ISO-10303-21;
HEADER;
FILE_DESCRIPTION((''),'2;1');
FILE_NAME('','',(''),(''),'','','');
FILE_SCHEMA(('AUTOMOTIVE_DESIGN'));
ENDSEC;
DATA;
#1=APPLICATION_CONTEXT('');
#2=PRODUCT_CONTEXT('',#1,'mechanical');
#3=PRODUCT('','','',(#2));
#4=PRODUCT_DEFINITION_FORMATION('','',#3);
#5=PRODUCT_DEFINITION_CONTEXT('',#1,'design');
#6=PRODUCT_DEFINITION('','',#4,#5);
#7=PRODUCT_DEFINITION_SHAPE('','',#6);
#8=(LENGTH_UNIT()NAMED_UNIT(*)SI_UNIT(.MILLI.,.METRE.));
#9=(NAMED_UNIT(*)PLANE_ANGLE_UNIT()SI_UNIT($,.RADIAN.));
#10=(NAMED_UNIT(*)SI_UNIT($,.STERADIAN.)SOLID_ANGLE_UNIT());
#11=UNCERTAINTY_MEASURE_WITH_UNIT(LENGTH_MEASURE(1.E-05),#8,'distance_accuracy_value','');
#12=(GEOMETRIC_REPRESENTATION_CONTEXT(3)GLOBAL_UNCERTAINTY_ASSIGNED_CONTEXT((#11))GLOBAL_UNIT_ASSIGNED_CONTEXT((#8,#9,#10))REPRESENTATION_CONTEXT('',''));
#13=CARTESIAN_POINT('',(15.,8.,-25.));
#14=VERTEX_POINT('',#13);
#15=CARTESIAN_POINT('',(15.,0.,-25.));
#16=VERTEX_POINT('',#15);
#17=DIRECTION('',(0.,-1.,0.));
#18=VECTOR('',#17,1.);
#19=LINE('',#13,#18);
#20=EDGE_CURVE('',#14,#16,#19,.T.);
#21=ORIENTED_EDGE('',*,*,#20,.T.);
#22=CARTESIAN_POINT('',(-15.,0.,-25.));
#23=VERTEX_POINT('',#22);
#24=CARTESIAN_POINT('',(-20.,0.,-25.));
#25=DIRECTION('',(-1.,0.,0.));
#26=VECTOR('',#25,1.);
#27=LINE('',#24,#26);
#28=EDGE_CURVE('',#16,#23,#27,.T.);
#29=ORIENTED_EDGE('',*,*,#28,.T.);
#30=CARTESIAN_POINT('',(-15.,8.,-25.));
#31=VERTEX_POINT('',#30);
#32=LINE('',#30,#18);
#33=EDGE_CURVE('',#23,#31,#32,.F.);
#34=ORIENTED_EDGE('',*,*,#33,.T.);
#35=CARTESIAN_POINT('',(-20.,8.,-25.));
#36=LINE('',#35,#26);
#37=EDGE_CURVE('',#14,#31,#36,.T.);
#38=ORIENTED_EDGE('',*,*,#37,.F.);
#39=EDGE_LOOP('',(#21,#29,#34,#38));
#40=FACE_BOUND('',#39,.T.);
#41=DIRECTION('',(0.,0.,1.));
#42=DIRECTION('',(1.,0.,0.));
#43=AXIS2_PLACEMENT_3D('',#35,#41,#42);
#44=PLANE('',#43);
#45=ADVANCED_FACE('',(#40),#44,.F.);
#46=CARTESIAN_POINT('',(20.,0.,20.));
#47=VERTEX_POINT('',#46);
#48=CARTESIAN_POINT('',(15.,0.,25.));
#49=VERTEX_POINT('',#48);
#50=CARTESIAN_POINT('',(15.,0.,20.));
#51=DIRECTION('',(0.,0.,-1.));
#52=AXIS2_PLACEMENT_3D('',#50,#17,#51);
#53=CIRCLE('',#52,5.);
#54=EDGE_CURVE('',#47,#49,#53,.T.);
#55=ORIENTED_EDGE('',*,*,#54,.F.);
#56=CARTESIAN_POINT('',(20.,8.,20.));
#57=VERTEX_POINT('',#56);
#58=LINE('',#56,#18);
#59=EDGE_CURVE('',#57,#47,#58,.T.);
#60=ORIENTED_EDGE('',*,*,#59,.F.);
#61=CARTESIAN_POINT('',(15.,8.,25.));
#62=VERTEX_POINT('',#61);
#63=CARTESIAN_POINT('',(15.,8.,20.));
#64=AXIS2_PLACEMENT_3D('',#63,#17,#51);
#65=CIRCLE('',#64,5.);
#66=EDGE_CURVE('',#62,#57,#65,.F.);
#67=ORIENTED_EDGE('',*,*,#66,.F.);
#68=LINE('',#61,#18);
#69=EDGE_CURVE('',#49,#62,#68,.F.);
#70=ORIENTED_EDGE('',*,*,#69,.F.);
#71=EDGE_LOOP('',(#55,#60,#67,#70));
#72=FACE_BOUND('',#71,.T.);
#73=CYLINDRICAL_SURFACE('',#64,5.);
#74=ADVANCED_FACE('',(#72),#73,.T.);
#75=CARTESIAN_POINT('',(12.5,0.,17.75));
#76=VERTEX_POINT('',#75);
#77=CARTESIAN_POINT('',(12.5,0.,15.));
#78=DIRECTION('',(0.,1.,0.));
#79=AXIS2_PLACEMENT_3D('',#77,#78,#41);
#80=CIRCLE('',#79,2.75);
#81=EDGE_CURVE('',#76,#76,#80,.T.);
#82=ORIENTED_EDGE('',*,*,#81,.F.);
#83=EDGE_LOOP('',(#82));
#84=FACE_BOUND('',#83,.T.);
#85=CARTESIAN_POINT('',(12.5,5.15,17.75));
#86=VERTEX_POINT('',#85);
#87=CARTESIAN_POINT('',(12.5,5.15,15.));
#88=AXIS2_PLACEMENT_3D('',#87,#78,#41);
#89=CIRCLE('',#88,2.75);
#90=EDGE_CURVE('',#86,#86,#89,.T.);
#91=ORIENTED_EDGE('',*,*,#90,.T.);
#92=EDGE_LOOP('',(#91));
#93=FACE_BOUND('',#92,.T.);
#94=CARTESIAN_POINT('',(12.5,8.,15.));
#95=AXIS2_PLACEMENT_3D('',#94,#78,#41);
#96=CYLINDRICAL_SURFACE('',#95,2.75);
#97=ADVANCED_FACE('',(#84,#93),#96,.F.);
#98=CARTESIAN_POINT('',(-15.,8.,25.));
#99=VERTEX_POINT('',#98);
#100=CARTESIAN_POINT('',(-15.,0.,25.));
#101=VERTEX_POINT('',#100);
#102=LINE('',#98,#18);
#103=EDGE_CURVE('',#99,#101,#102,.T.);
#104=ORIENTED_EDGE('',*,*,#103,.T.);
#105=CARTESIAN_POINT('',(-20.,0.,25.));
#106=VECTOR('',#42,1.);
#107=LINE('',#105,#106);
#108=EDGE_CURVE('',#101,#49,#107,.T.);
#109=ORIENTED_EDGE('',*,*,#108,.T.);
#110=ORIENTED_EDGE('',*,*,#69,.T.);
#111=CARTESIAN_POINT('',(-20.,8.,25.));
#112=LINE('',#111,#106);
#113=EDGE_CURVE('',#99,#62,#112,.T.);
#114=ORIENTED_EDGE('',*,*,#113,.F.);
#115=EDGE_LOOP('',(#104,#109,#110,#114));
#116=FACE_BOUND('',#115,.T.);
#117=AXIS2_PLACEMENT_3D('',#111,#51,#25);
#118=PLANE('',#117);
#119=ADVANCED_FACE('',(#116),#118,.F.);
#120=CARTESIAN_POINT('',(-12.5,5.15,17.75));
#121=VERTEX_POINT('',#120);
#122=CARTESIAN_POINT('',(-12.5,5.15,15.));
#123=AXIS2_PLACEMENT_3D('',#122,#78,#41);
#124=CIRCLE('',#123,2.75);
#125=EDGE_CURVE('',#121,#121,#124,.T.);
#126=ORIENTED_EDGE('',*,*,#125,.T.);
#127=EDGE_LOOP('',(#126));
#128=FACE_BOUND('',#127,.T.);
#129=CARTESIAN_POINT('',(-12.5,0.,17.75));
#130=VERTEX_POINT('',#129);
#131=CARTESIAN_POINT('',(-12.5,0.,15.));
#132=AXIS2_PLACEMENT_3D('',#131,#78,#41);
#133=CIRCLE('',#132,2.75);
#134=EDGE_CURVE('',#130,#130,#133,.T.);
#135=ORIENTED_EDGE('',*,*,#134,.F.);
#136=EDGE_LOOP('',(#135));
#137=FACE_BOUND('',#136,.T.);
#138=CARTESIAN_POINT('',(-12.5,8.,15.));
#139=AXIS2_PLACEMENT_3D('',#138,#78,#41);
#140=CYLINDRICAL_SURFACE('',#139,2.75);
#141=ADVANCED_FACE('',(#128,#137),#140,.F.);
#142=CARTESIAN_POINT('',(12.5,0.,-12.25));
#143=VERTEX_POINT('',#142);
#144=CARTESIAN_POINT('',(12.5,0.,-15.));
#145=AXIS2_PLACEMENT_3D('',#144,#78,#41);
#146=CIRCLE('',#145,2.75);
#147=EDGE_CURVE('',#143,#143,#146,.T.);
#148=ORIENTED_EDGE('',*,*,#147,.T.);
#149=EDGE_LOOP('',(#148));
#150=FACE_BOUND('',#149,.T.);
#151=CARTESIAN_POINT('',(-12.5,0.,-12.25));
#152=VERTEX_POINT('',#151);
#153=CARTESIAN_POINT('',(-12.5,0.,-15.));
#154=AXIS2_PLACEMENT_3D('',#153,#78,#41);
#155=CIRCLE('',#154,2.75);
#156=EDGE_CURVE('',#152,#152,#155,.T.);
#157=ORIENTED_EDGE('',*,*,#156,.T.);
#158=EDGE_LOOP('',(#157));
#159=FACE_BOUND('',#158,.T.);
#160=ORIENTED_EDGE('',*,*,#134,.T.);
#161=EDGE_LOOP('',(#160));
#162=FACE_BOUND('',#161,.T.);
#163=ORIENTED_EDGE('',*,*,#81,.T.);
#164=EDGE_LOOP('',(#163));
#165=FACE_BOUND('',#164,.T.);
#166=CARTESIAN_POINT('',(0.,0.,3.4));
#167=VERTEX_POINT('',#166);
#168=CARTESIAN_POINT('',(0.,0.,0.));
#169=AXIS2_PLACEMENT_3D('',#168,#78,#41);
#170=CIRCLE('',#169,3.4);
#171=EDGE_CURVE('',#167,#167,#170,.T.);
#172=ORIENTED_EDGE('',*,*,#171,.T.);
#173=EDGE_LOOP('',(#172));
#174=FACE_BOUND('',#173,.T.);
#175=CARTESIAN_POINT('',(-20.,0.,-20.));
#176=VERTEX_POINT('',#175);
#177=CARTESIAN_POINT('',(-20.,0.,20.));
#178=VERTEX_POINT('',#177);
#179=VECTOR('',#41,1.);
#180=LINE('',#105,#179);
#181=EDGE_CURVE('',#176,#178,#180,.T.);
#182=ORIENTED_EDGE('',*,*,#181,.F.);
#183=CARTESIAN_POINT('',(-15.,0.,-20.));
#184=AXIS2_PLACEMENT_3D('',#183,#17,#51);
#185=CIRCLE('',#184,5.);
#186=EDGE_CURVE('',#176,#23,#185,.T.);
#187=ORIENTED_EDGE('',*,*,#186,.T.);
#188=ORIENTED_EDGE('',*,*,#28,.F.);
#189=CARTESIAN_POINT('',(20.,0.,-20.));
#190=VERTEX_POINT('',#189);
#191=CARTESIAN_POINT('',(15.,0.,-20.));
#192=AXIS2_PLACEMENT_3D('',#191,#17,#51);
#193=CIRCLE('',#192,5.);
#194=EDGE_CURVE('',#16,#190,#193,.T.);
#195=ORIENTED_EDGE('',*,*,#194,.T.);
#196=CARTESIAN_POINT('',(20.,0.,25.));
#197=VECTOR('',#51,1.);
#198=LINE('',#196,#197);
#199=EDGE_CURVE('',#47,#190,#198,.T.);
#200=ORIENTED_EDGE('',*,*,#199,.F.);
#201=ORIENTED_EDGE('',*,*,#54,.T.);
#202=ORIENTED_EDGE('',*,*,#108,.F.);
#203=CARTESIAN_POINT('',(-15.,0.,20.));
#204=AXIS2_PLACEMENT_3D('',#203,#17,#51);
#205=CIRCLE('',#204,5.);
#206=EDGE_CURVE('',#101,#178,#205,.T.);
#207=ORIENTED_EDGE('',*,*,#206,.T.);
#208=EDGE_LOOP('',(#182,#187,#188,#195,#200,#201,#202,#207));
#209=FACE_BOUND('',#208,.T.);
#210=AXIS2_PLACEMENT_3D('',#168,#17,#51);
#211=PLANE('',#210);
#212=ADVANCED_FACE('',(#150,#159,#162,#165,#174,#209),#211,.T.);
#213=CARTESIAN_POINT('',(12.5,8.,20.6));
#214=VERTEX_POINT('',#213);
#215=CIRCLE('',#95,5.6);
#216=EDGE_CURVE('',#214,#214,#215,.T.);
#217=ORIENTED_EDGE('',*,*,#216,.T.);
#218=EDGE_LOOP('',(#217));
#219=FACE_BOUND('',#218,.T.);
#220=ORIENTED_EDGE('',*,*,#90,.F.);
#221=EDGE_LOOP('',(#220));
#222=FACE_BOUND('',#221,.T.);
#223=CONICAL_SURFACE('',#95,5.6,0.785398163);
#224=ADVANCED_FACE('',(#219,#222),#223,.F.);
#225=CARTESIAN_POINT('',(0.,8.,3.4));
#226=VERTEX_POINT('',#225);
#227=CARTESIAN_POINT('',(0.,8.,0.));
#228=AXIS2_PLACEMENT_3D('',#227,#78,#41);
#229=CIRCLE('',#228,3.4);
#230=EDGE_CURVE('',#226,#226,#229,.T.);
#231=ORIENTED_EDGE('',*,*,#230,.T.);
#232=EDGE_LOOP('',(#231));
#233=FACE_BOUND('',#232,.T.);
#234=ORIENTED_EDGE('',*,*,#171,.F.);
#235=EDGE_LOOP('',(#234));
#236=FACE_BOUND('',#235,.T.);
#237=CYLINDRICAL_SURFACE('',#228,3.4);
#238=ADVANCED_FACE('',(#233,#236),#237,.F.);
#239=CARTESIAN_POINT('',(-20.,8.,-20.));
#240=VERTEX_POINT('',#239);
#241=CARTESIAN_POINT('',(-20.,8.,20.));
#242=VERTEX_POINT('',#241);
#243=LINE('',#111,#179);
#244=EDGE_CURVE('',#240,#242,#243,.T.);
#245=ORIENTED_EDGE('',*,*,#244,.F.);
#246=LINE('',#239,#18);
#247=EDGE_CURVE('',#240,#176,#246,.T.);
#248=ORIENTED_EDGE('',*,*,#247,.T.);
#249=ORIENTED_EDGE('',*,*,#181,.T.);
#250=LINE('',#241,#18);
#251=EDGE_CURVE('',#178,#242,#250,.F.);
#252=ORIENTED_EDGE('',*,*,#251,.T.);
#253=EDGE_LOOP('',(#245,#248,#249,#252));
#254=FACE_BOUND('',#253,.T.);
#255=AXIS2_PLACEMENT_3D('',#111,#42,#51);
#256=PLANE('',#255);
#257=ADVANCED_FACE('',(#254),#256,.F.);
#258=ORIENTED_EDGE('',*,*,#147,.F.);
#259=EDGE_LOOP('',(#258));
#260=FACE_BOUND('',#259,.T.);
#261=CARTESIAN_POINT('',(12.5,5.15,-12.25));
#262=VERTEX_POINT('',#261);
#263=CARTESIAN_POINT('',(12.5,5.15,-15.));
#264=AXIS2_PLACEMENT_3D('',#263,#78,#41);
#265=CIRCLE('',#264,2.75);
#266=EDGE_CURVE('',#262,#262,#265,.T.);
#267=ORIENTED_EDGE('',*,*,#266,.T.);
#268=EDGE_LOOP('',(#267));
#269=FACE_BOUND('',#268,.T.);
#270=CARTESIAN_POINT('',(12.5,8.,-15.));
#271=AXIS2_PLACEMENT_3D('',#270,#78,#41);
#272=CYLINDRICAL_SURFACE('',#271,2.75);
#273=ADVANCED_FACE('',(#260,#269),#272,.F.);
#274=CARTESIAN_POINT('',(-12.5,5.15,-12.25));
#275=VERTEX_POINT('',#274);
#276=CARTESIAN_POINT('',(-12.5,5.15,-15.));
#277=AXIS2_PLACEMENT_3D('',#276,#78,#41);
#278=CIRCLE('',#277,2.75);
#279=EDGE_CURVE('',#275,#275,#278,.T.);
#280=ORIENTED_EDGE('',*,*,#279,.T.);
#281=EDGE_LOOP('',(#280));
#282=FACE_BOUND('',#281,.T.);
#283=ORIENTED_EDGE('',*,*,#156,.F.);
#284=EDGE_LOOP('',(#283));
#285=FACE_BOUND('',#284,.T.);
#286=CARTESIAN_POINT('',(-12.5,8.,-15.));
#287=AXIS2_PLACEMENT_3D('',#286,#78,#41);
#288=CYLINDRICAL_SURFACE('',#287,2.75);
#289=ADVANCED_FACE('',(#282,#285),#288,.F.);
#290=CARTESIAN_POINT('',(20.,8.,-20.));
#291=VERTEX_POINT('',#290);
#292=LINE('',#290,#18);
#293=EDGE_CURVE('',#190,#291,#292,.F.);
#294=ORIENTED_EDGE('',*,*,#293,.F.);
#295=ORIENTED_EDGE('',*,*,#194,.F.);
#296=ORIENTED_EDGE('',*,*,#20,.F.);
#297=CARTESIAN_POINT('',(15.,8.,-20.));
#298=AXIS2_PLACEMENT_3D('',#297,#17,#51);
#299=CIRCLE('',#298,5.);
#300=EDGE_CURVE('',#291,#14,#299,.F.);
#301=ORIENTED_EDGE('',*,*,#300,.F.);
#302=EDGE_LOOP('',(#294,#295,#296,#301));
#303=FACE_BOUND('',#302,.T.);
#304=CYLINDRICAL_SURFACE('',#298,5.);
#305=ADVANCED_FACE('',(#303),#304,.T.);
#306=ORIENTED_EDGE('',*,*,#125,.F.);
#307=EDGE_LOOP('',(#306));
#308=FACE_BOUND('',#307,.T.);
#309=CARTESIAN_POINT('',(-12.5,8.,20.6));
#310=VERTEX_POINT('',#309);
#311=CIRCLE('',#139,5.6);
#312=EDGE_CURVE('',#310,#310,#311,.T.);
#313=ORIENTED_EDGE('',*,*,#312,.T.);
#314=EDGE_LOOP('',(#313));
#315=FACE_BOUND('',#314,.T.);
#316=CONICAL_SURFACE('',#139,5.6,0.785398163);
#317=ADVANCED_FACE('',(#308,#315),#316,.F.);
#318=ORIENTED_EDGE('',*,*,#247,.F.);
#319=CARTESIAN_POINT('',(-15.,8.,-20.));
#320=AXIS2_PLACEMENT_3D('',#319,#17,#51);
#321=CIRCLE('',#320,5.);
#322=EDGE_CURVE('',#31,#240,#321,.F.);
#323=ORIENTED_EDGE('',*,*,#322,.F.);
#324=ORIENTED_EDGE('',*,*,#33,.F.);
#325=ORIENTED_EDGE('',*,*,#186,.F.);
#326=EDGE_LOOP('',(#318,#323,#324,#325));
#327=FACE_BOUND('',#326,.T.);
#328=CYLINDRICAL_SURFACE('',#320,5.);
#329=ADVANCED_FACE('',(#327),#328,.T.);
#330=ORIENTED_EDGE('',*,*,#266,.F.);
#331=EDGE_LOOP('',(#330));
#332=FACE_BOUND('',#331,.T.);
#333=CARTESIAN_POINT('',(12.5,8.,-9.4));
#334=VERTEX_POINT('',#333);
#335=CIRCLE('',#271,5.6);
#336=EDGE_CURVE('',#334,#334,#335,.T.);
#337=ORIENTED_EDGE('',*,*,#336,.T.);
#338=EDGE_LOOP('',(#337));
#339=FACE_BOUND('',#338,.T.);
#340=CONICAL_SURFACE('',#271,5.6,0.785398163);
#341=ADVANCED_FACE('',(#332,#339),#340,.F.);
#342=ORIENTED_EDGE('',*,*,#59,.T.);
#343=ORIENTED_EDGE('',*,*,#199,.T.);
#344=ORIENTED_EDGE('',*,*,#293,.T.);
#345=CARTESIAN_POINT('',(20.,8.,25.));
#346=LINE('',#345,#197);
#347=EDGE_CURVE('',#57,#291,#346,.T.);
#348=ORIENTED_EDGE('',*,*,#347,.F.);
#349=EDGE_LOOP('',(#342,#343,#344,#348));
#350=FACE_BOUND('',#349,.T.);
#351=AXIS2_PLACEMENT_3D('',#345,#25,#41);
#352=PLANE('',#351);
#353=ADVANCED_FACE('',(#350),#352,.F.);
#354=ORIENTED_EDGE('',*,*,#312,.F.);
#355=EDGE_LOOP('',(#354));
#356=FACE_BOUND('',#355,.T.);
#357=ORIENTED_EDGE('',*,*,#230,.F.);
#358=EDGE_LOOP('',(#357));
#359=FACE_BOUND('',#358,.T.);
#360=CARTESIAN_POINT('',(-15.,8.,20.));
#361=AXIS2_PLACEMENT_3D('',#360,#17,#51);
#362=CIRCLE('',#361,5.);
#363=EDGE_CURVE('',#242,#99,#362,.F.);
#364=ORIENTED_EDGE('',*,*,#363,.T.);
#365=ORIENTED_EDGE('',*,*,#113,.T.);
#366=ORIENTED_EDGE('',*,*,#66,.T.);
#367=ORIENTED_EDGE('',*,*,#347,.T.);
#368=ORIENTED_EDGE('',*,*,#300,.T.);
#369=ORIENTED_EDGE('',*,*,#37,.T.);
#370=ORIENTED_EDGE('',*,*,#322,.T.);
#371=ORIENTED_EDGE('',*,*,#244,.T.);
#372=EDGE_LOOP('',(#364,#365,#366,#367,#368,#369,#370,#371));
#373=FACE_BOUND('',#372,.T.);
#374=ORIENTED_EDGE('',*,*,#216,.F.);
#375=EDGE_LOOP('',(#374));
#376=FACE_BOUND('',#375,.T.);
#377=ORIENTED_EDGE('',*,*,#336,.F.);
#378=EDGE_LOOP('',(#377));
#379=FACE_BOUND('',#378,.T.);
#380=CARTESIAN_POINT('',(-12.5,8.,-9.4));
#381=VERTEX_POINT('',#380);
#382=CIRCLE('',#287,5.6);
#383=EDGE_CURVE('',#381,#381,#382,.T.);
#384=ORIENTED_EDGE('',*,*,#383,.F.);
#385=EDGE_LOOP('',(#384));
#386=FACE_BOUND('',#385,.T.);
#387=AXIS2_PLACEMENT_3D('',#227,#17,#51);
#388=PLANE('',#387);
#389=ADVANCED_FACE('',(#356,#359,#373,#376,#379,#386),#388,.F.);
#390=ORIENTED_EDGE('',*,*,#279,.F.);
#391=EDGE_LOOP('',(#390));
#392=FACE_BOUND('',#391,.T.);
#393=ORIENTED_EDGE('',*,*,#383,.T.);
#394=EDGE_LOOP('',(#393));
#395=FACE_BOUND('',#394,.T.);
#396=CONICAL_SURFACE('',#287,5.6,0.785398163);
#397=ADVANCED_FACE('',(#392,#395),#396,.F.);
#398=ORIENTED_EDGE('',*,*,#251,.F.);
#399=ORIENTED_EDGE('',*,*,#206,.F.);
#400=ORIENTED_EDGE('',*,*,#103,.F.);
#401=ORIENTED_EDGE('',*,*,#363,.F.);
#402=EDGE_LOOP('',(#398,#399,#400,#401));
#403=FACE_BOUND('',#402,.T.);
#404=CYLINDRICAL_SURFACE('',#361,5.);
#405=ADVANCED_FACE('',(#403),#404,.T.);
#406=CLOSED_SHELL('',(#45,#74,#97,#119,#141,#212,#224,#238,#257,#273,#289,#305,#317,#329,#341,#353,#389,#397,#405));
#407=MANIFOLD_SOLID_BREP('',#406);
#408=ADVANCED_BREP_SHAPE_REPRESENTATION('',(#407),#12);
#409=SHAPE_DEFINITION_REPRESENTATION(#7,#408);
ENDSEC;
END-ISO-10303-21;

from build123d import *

# Parameters (mm, degrees)
SKETCH1_W                                            = 40
SKETCH1_H                                            = 50
BOSS_EXTRUDE1_DEPTH                                  = 8
CSK_FOR_M5_HEX_SOCKET_COUNTERSUNK_CAP_SC_D           = 5.5
CSK_FOR_M5_HEX_SOCKET_COUNTERSUNK_CAP_SC_CSINK_D     = 11.2
CSK_FOR_M5_HEX_SOCKET_COUNTERSUNK_CAP_SC_CSINK_ANGLE = 90
M8_TAPPED_HOLE1_D                                    = 6.8
FILLET1_R                                            = 5


with BuildPart() as part:
    # Sketch1 → Boss-Extrude1 (new body)
    with BuildSketch(Plane(origin=(0, 0, 0), x_dir=(1, 0, 0), z_dir=(0, 1, 0))):
        Rectangle(SKETCH1_W, SKETCH1_H)
    extrude(amount=BOSS_EXTRUDE1_DEPTH)

    # CSK for M5 Hex Socket Countersunk Cap Screw1 (through all)
    with Locations(Plane(origin=(0, 8, 0), x_dir=(1, 0, 0), z_dir=(0, 1, 0))):
        with Locations((-12.5, 15), (-12.5, -15), (12.5, -15), (12.5, 15)):
            CounterSinkHole(CSK_FOR_M5_HEX_SOCKET_COUNTERSUNK_CAP_SC_D / 2, CSK_FOR_M5_HEX_SOCKET_COUNTERSUNK_CAP_SC_CSINK_D / 2, counter_sink_angle=CSK_FOR_M5_HEX_SOCKET_COUNTERSUNK_CAP_SC_CSINK_ANGLE)

    # M8 Tapped Hole1 (through all)
    with Locations(Plane(origin=(0, 8, 0), x_dir=(1, 0, 0), z_dir=(0, 1, 0))):
        with Locations((0, 0)):
            Hole(M8_TAPPED_HOLE1_D / 2)

    # Fillet1
    fillet1_edges = [part.edges().sort_by_distance(p)[0] for p in [
        (20, 4, 25),
        (-20, 4, 25),
        (-20, 4, -25),
        (20, 4, -25),
    ]]
    fillet(fillet1_edges, radius=FILLET1_R)


solid = part.part
